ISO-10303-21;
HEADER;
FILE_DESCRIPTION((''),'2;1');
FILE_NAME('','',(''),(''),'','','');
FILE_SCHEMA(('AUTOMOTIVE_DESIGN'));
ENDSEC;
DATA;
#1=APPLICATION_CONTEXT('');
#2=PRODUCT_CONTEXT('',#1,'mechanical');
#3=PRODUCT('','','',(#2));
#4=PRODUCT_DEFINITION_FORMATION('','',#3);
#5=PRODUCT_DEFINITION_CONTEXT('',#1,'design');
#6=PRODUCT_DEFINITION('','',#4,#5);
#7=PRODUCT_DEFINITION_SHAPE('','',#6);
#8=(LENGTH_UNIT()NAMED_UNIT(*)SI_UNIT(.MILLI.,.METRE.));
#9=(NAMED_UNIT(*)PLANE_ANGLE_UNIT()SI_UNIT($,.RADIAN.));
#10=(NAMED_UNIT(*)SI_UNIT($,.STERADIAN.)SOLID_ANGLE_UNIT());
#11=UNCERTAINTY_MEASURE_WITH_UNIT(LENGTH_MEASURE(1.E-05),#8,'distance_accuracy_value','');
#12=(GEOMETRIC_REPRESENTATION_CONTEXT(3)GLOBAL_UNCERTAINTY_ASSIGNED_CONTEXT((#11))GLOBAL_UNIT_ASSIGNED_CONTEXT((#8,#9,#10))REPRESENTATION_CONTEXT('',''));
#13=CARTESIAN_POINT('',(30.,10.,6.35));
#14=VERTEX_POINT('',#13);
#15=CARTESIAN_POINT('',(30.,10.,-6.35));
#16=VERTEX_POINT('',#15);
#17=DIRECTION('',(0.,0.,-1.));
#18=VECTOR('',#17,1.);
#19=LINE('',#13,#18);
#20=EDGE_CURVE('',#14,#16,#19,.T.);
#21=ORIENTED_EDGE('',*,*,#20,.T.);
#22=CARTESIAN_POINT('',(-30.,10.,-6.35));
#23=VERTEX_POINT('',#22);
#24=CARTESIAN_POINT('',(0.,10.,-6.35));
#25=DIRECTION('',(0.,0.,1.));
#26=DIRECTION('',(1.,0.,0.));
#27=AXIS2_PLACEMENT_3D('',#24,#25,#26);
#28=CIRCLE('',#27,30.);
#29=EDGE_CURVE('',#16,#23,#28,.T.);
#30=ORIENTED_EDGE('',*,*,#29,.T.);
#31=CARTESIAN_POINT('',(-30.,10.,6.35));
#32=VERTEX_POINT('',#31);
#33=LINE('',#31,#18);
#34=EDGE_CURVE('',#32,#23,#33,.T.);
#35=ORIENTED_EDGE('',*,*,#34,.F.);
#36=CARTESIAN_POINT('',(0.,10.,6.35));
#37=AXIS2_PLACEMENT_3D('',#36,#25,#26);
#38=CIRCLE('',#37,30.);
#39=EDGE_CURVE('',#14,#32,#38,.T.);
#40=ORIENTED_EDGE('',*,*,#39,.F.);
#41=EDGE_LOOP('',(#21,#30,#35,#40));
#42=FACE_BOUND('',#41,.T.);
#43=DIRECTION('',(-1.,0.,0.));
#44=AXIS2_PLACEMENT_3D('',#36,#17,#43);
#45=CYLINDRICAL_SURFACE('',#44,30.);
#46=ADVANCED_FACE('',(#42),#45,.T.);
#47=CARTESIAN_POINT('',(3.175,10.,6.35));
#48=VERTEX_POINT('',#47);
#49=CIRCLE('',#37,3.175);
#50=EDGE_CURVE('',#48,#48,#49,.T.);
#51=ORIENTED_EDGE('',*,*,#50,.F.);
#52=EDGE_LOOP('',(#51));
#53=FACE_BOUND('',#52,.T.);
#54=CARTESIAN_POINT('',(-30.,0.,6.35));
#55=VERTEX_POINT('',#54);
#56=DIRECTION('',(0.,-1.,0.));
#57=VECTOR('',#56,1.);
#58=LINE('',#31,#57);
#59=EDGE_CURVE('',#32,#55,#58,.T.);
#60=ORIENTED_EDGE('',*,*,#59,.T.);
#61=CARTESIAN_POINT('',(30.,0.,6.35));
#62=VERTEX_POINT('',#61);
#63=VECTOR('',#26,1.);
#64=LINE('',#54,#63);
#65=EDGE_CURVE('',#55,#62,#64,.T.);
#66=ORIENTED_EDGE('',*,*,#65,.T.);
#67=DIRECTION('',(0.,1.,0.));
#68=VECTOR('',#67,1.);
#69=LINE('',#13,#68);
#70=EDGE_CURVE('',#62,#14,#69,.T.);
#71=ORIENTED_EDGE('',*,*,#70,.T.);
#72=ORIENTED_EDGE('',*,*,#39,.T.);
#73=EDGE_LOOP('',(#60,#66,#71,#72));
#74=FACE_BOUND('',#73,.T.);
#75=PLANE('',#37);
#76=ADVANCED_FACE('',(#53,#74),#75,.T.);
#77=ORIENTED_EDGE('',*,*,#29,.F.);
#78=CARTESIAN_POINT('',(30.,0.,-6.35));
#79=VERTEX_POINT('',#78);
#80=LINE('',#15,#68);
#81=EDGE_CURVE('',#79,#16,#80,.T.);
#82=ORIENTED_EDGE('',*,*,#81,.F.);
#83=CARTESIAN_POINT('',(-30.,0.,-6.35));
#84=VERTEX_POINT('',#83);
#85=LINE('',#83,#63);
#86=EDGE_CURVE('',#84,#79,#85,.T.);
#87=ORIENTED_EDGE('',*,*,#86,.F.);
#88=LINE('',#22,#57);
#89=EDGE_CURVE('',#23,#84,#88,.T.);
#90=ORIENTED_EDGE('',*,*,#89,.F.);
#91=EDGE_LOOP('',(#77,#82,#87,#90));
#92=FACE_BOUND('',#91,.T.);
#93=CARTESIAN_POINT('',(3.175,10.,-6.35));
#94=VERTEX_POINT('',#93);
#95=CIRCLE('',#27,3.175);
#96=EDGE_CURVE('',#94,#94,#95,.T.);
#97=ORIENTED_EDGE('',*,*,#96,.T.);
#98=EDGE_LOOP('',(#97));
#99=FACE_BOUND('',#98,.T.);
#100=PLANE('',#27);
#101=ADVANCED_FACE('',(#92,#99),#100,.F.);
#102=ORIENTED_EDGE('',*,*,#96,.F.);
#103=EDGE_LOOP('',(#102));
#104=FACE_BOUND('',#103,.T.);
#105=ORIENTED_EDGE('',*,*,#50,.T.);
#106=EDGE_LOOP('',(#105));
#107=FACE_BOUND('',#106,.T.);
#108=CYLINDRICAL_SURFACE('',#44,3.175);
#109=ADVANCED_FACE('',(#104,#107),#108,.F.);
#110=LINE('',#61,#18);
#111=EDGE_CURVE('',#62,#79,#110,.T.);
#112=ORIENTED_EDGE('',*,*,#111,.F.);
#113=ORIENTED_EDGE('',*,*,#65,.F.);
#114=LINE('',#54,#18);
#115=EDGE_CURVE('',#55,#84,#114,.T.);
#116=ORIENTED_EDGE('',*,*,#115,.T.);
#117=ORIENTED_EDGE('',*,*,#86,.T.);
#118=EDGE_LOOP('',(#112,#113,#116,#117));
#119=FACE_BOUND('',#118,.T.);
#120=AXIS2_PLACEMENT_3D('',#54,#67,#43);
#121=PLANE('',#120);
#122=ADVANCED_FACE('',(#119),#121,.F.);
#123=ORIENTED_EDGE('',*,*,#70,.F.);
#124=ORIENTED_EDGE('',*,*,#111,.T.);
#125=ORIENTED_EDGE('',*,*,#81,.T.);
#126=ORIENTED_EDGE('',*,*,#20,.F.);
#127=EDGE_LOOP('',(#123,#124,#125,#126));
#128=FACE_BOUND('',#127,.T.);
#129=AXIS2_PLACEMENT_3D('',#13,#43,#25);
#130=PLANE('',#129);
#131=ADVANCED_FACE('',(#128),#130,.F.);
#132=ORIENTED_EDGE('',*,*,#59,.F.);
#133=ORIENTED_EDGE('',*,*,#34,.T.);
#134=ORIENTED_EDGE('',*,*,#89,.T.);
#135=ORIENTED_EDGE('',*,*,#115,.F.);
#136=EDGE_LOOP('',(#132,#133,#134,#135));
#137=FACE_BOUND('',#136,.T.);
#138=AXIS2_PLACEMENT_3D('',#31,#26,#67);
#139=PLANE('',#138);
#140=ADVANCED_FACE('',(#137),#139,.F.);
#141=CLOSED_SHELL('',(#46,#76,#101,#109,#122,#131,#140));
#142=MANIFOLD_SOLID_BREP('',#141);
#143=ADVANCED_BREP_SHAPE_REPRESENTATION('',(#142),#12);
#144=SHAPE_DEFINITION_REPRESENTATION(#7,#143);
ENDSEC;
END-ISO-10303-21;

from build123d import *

# Parameters (mm, degrees)
CROQUIS1_R              = 3.175
SALIENTE_EXTRUIR1_DEPTH = 6.35


with BuildPart() as part:
    # Croquis1 → Saliente-Extruir1 (new, symmetric)
    with BuildSketch(Plane.XY):
        with BuildLine():
            Line((30, 10), (30, 0))
            Line((30, 0), (-30, 0))
            Line((-30, 0), (-30, 10))
            ThreePointArc((-30, 10), (0, 40), (30, 10))
        make_face()
        with Locations((0, 10)):
            Circle(CROQUIS1_R, mode=Mode.SUBTRACT)
    extrude(amount=SALIENTE_EXTRUIR1_DEPTH, both=True)


solid = part.part
